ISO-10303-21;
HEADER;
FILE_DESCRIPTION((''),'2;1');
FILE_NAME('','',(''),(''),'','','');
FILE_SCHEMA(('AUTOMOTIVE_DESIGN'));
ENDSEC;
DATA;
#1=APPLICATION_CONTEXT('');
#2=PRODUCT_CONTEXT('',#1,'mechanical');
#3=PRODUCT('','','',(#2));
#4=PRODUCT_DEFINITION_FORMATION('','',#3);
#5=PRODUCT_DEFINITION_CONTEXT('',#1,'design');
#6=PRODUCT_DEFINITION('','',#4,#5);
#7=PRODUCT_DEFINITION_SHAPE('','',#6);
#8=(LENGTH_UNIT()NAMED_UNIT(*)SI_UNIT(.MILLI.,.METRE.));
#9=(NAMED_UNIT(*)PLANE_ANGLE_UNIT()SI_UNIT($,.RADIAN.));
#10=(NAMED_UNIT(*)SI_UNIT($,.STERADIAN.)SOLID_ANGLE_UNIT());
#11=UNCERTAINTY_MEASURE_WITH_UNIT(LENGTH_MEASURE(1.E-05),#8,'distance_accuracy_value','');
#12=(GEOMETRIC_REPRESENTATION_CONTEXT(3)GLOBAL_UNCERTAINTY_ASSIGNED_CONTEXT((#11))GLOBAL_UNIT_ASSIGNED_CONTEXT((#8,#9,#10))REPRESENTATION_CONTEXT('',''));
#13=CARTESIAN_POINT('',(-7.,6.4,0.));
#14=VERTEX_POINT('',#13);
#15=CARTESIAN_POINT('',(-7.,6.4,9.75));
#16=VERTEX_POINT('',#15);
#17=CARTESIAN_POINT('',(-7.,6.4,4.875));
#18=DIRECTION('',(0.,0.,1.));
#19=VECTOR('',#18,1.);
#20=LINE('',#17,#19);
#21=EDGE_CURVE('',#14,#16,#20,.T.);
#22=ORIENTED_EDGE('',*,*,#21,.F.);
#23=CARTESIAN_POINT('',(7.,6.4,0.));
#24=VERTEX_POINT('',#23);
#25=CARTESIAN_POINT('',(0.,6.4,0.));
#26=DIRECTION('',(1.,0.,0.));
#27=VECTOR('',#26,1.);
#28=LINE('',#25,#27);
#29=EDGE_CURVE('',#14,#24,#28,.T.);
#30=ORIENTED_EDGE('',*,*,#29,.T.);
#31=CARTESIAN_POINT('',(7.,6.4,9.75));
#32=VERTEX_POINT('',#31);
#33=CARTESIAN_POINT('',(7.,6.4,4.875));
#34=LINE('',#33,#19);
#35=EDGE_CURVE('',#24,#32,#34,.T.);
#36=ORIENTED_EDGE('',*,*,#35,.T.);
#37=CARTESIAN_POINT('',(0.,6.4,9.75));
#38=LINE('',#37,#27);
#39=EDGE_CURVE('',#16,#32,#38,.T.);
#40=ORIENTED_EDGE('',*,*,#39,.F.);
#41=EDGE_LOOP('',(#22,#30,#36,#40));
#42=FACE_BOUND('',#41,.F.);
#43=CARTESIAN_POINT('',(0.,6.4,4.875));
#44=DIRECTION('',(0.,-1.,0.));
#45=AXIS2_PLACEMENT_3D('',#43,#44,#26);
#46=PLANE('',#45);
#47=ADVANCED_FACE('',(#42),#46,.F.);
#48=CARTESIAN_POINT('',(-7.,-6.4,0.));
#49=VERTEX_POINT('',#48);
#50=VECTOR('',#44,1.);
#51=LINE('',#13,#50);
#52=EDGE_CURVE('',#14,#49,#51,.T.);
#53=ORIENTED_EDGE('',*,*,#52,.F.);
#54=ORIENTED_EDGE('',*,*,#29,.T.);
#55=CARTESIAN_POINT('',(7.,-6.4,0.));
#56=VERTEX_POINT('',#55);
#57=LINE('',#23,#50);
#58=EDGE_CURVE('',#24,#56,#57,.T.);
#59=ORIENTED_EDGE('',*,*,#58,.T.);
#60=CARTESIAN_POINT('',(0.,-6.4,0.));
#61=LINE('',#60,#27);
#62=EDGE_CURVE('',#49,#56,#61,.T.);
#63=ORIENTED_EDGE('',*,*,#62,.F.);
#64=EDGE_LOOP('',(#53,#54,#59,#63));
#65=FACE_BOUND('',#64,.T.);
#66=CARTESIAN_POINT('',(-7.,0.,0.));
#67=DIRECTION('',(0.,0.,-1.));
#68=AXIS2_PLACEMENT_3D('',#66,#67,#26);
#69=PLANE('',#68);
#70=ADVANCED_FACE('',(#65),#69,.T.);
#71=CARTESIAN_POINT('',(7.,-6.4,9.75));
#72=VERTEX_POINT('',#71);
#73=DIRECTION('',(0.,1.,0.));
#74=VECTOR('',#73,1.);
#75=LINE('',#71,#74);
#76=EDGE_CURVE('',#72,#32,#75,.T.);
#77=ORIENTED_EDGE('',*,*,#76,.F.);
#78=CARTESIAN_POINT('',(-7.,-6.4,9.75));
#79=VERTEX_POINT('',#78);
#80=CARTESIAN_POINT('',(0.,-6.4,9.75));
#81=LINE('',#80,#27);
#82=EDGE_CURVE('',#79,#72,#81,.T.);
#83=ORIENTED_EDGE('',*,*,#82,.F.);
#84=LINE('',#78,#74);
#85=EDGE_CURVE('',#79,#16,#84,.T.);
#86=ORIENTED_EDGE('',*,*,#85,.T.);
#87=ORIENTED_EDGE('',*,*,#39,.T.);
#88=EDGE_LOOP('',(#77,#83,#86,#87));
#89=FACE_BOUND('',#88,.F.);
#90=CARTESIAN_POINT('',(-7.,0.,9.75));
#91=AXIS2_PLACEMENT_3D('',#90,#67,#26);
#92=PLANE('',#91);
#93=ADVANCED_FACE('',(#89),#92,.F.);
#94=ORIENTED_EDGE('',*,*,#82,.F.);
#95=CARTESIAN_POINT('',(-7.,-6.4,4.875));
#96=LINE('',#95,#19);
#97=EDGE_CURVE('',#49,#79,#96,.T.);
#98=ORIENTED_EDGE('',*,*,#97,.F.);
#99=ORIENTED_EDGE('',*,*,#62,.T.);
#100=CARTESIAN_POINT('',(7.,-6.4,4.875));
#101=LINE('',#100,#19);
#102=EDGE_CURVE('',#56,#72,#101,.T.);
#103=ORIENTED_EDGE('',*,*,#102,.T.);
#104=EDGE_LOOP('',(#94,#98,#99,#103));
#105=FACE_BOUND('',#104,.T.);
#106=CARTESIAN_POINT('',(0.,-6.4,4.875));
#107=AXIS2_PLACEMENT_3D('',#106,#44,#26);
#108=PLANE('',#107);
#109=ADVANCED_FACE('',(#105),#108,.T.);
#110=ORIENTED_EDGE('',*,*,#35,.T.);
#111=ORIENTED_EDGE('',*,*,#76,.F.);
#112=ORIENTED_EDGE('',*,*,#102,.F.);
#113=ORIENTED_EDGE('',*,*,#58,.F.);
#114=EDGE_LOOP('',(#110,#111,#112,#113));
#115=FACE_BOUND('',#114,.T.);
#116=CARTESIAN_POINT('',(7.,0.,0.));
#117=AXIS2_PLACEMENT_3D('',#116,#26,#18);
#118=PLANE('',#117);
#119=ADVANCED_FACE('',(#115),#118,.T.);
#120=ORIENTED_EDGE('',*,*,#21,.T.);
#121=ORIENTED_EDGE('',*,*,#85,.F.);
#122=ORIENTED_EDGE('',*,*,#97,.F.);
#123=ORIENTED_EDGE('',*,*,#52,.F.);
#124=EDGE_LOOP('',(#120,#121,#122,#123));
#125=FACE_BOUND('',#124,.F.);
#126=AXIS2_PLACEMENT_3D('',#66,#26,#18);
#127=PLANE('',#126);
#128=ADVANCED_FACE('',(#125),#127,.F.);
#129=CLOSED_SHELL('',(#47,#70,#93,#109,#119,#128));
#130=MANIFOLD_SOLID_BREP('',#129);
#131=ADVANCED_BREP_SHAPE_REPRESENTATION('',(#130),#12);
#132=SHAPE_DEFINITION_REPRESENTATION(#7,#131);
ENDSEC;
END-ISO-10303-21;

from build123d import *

# Parameters (mm, degrees)
SKETCH_W  = 14
SKETCH_H  = 9.75
PAD_DEPTH = 6.4


with BuildPart() as part:
    # Sketch → Pad (new body, symmetric)
    with BuildSketch(Plane.XZ):
        with Locations((0, 4.875)):
            Rectangle(SKETCH_W, SKETCH_H)
    extrude(amount=PAD_DEPTH, both=True)


solid = part.part
